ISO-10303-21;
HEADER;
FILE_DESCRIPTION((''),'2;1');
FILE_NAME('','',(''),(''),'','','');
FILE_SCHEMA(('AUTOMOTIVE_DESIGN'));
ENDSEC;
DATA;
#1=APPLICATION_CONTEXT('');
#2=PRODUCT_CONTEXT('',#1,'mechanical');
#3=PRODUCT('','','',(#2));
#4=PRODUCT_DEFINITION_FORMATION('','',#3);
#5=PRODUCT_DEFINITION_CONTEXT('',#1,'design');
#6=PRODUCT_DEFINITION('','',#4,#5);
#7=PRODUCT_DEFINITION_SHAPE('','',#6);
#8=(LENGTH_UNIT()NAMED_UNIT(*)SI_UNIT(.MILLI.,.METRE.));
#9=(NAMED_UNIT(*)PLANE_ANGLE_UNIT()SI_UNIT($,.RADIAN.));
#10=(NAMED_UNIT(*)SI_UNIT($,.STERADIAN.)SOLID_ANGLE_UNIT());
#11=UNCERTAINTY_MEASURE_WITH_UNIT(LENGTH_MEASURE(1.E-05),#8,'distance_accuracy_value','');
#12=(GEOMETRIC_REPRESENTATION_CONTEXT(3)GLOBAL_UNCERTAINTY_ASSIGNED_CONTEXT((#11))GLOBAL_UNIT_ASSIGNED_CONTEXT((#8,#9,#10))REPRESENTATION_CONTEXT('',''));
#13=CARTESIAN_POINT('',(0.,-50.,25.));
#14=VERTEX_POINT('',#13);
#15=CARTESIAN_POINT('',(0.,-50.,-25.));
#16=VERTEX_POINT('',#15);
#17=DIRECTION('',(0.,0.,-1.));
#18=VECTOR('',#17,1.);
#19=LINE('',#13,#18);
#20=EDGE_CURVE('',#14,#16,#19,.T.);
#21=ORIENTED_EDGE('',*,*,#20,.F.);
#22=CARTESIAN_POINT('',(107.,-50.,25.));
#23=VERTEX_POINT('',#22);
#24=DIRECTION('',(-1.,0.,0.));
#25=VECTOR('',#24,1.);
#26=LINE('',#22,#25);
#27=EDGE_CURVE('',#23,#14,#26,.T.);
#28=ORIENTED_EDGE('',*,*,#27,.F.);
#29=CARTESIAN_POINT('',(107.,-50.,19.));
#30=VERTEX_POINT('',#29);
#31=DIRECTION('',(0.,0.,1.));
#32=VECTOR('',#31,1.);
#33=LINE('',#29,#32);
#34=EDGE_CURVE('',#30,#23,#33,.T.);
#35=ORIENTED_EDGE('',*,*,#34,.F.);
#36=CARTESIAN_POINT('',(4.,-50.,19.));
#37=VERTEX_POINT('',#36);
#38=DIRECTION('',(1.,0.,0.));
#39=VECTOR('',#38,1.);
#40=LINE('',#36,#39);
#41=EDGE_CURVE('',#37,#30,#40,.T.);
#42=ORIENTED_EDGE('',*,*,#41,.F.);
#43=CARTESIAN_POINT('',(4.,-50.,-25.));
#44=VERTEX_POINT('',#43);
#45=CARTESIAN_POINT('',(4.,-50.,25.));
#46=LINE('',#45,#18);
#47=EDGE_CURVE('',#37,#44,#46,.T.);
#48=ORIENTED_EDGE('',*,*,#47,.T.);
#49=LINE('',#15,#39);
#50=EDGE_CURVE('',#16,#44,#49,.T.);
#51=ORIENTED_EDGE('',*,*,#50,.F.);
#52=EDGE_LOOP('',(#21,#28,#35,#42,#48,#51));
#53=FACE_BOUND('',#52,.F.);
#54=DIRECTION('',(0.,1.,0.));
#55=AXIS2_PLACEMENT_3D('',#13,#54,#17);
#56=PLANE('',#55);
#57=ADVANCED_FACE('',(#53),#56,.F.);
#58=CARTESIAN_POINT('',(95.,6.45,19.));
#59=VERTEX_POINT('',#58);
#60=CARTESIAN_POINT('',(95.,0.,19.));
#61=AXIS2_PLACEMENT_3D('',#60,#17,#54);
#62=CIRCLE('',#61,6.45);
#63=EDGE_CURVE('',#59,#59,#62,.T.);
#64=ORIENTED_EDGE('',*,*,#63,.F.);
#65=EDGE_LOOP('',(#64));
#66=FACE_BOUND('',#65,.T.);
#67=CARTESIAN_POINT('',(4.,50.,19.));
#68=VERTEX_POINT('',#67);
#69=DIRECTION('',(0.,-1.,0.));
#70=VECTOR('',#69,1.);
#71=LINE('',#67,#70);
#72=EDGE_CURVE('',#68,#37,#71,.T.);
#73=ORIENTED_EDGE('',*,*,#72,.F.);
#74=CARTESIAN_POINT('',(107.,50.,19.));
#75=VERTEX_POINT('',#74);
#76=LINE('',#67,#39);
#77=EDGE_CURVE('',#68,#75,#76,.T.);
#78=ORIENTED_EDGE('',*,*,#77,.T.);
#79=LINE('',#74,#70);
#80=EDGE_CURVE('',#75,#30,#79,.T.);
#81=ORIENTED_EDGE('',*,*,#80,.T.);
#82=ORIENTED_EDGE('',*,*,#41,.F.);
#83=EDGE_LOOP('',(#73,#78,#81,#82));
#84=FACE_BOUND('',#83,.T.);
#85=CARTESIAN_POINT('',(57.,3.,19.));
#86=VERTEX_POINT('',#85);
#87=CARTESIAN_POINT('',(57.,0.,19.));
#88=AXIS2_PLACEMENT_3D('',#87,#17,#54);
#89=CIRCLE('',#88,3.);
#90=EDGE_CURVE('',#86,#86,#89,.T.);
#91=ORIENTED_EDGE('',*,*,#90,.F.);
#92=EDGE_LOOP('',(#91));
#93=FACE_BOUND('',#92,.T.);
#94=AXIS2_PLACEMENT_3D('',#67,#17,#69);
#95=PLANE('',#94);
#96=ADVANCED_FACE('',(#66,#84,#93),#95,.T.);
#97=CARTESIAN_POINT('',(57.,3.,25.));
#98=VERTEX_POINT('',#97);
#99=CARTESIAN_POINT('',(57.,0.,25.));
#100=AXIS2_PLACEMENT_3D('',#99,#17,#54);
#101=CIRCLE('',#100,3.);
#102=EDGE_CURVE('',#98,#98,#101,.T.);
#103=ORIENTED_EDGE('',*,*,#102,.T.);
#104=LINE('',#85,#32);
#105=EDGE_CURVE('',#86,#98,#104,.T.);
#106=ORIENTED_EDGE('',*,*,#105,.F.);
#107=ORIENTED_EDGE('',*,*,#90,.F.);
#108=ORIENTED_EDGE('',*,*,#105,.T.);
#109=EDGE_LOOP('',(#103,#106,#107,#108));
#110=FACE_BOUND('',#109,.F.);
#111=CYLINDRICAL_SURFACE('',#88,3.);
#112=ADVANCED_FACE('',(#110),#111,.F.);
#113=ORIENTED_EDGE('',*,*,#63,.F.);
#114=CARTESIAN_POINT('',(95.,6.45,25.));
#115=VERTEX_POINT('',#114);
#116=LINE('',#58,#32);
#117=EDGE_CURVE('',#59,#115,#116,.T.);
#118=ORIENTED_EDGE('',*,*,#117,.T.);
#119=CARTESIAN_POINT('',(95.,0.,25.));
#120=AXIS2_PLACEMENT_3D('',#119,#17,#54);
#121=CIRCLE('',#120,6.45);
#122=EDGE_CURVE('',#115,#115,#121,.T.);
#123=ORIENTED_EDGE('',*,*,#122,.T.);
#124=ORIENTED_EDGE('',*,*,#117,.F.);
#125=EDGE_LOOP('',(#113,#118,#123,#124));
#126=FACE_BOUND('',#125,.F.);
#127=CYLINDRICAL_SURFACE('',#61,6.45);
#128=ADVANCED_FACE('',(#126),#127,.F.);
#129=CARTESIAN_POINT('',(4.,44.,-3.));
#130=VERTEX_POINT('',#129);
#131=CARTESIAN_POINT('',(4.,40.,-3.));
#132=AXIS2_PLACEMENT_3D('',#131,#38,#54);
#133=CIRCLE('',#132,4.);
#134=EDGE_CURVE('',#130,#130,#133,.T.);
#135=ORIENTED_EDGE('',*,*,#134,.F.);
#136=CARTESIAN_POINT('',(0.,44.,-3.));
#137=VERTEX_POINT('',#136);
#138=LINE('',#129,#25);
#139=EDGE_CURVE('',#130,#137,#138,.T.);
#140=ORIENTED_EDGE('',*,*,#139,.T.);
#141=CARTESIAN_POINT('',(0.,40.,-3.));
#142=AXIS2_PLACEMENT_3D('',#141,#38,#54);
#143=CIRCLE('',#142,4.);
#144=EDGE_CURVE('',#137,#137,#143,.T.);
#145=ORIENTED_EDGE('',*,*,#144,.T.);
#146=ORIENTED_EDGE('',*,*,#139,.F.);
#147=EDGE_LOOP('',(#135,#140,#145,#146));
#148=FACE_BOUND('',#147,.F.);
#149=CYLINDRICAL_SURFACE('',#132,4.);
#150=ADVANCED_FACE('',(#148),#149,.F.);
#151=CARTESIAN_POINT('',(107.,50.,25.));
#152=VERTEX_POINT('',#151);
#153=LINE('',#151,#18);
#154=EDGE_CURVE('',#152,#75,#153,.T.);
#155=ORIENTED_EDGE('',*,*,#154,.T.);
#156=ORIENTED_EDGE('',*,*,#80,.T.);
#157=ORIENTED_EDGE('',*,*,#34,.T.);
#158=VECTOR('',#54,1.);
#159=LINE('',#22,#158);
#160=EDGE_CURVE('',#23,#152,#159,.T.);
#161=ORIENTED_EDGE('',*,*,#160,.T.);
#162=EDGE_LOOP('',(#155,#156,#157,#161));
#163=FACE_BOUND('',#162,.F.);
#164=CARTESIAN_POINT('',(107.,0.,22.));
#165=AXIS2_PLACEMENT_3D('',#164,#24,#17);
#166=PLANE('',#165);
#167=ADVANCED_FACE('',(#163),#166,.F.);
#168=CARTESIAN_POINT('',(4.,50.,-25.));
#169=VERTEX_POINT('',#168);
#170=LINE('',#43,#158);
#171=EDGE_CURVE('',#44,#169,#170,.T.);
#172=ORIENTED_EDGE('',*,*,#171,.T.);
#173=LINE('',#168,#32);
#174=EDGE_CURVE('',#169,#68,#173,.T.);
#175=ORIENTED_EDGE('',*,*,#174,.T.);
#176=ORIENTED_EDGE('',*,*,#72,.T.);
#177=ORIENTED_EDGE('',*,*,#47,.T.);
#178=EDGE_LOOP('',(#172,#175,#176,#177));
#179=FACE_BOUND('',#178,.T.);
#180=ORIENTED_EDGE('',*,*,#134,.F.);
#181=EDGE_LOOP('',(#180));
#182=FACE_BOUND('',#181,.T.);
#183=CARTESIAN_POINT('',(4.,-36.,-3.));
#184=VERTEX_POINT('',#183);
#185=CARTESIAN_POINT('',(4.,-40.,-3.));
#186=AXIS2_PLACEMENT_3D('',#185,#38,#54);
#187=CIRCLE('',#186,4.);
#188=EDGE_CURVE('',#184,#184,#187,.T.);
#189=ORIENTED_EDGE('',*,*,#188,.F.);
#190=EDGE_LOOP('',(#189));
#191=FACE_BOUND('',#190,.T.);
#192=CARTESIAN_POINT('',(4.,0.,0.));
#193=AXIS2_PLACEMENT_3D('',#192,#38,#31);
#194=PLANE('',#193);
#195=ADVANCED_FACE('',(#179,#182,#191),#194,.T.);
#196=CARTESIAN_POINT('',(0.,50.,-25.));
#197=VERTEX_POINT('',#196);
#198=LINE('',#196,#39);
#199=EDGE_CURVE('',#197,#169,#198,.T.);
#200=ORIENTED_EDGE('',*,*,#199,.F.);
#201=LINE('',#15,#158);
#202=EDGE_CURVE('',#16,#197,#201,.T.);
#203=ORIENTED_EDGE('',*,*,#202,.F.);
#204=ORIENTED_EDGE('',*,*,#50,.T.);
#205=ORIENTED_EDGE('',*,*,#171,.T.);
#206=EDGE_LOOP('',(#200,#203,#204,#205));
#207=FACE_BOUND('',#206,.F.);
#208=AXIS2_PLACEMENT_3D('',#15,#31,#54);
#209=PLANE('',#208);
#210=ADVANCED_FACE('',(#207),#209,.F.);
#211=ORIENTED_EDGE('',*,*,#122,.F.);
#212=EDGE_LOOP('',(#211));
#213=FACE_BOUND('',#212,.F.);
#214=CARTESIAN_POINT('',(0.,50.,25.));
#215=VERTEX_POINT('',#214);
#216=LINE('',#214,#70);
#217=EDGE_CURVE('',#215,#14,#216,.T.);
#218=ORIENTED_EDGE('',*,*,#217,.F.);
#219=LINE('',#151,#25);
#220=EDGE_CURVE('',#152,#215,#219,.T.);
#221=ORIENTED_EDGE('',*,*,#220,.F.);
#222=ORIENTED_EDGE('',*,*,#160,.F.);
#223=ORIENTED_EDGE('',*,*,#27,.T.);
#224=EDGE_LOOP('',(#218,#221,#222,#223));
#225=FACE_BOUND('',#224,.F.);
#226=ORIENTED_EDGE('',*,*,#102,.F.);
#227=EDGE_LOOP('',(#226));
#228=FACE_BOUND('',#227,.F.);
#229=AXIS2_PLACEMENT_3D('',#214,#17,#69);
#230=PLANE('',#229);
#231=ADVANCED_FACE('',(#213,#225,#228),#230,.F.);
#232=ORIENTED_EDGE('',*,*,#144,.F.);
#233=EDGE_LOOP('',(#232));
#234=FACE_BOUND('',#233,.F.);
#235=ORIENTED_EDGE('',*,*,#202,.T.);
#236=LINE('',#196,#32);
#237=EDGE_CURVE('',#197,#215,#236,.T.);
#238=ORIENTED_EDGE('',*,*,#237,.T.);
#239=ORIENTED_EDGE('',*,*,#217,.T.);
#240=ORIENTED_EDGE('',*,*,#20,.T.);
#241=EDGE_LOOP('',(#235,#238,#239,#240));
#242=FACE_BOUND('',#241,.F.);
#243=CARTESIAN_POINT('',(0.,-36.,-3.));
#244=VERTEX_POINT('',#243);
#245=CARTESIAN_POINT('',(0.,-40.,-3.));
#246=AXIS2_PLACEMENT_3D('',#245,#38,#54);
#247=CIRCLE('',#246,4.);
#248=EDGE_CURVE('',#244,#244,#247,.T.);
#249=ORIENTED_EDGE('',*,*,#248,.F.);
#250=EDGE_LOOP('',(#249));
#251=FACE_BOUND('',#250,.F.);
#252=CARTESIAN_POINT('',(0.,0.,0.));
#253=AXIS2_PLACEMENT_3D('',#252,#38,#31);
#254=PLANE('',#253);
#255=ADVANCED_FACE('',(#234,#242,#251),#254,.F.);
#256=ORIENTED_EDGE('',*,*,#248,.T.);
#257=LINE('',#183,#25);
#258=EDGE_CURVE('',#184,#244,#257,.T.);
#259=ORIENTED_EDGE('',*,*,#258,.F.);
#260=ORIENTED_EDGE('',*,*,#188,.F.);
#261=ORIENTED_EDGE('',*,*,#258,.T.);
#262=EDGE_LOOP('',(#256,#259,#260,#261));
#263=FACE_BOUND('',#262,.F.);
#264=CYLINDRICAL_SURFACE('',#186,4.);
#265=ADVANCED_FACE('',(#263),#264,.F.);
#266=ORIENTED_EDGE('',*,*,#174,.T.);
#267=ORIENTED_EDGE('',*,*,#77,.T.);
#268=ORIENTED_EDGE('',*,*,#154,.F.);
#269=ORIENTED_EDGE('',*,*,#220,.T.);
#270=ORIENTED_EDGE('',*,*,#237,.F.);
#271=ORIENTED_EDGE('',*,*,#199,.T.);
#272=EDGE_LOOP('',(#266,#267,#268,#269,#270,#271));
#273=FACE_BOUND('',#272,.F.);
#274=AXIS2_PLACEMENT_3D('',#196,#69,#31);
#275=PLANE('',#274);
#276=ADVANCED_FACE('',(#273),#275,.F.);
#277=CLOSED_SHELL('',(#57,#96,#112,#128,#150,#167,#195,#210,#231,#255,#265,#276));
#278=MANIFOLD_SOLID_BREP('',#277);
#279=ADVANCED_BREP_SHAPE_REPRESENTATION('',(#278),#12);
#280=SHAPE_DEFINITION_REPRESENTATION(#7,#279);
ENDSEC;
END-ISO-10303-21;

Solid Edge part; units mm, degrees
sketch "Sketch1" plane through (0, 0, 0) normal (1, 0, 0) x (0, 1, 0)
  line L0 (-50, 25) -> (-50, -25)
  line L1 (-50, -25) -> (50, -25)
  line L2 (50, -25) -> (50, 25)
  line L3 (50, 25) -> (-50, 25)
extrude "Protrusion1" add sketch "Sketch1" along normal blind 4
sketch "Sketch2" plane through (4, 0, 0) normal (1, 0, 0) x (0, 1, 0)
  line L0 (50, 19) -> (-50, 19)
  line L1 (-50, 19) -> (-50, 25)
  line L2 (-50, 25) -> (50, 25)
  line L3 (50, 25) -> (50, 19)
extrude "ExtrudedProtrusion_2" add sketch "Sketch2" along normal blind 103
sketch "Sketch3" plane through (55.5, 0, 19) normal (0, 0, -1) x (0, 1, 0)
  circle A0 centre (0, 39.5) radius 6.45
  circle A1 centre (0, 1.5) radius 3
  dimension "D1" = 12
  dimension "D2" = 6
  dimension "D3" = 50
extrude "ExtrudedCutout_1" cut sketch "Sketch3" against normal blind 28.1055
sketch "Sketch4" plane through (4, 0, 0) normal (1, 0, 0) x (0, 1, 0)
  circle A0 centre (-40, -3) radius 4
  circle A1 centre (40, -3) radius 4
  dimension "D1" = 10
  dimension "D2" = 10
extrude "Cutout1" cut sketch "Sketch4" against normal up to next
properties material "Stainless steel"
